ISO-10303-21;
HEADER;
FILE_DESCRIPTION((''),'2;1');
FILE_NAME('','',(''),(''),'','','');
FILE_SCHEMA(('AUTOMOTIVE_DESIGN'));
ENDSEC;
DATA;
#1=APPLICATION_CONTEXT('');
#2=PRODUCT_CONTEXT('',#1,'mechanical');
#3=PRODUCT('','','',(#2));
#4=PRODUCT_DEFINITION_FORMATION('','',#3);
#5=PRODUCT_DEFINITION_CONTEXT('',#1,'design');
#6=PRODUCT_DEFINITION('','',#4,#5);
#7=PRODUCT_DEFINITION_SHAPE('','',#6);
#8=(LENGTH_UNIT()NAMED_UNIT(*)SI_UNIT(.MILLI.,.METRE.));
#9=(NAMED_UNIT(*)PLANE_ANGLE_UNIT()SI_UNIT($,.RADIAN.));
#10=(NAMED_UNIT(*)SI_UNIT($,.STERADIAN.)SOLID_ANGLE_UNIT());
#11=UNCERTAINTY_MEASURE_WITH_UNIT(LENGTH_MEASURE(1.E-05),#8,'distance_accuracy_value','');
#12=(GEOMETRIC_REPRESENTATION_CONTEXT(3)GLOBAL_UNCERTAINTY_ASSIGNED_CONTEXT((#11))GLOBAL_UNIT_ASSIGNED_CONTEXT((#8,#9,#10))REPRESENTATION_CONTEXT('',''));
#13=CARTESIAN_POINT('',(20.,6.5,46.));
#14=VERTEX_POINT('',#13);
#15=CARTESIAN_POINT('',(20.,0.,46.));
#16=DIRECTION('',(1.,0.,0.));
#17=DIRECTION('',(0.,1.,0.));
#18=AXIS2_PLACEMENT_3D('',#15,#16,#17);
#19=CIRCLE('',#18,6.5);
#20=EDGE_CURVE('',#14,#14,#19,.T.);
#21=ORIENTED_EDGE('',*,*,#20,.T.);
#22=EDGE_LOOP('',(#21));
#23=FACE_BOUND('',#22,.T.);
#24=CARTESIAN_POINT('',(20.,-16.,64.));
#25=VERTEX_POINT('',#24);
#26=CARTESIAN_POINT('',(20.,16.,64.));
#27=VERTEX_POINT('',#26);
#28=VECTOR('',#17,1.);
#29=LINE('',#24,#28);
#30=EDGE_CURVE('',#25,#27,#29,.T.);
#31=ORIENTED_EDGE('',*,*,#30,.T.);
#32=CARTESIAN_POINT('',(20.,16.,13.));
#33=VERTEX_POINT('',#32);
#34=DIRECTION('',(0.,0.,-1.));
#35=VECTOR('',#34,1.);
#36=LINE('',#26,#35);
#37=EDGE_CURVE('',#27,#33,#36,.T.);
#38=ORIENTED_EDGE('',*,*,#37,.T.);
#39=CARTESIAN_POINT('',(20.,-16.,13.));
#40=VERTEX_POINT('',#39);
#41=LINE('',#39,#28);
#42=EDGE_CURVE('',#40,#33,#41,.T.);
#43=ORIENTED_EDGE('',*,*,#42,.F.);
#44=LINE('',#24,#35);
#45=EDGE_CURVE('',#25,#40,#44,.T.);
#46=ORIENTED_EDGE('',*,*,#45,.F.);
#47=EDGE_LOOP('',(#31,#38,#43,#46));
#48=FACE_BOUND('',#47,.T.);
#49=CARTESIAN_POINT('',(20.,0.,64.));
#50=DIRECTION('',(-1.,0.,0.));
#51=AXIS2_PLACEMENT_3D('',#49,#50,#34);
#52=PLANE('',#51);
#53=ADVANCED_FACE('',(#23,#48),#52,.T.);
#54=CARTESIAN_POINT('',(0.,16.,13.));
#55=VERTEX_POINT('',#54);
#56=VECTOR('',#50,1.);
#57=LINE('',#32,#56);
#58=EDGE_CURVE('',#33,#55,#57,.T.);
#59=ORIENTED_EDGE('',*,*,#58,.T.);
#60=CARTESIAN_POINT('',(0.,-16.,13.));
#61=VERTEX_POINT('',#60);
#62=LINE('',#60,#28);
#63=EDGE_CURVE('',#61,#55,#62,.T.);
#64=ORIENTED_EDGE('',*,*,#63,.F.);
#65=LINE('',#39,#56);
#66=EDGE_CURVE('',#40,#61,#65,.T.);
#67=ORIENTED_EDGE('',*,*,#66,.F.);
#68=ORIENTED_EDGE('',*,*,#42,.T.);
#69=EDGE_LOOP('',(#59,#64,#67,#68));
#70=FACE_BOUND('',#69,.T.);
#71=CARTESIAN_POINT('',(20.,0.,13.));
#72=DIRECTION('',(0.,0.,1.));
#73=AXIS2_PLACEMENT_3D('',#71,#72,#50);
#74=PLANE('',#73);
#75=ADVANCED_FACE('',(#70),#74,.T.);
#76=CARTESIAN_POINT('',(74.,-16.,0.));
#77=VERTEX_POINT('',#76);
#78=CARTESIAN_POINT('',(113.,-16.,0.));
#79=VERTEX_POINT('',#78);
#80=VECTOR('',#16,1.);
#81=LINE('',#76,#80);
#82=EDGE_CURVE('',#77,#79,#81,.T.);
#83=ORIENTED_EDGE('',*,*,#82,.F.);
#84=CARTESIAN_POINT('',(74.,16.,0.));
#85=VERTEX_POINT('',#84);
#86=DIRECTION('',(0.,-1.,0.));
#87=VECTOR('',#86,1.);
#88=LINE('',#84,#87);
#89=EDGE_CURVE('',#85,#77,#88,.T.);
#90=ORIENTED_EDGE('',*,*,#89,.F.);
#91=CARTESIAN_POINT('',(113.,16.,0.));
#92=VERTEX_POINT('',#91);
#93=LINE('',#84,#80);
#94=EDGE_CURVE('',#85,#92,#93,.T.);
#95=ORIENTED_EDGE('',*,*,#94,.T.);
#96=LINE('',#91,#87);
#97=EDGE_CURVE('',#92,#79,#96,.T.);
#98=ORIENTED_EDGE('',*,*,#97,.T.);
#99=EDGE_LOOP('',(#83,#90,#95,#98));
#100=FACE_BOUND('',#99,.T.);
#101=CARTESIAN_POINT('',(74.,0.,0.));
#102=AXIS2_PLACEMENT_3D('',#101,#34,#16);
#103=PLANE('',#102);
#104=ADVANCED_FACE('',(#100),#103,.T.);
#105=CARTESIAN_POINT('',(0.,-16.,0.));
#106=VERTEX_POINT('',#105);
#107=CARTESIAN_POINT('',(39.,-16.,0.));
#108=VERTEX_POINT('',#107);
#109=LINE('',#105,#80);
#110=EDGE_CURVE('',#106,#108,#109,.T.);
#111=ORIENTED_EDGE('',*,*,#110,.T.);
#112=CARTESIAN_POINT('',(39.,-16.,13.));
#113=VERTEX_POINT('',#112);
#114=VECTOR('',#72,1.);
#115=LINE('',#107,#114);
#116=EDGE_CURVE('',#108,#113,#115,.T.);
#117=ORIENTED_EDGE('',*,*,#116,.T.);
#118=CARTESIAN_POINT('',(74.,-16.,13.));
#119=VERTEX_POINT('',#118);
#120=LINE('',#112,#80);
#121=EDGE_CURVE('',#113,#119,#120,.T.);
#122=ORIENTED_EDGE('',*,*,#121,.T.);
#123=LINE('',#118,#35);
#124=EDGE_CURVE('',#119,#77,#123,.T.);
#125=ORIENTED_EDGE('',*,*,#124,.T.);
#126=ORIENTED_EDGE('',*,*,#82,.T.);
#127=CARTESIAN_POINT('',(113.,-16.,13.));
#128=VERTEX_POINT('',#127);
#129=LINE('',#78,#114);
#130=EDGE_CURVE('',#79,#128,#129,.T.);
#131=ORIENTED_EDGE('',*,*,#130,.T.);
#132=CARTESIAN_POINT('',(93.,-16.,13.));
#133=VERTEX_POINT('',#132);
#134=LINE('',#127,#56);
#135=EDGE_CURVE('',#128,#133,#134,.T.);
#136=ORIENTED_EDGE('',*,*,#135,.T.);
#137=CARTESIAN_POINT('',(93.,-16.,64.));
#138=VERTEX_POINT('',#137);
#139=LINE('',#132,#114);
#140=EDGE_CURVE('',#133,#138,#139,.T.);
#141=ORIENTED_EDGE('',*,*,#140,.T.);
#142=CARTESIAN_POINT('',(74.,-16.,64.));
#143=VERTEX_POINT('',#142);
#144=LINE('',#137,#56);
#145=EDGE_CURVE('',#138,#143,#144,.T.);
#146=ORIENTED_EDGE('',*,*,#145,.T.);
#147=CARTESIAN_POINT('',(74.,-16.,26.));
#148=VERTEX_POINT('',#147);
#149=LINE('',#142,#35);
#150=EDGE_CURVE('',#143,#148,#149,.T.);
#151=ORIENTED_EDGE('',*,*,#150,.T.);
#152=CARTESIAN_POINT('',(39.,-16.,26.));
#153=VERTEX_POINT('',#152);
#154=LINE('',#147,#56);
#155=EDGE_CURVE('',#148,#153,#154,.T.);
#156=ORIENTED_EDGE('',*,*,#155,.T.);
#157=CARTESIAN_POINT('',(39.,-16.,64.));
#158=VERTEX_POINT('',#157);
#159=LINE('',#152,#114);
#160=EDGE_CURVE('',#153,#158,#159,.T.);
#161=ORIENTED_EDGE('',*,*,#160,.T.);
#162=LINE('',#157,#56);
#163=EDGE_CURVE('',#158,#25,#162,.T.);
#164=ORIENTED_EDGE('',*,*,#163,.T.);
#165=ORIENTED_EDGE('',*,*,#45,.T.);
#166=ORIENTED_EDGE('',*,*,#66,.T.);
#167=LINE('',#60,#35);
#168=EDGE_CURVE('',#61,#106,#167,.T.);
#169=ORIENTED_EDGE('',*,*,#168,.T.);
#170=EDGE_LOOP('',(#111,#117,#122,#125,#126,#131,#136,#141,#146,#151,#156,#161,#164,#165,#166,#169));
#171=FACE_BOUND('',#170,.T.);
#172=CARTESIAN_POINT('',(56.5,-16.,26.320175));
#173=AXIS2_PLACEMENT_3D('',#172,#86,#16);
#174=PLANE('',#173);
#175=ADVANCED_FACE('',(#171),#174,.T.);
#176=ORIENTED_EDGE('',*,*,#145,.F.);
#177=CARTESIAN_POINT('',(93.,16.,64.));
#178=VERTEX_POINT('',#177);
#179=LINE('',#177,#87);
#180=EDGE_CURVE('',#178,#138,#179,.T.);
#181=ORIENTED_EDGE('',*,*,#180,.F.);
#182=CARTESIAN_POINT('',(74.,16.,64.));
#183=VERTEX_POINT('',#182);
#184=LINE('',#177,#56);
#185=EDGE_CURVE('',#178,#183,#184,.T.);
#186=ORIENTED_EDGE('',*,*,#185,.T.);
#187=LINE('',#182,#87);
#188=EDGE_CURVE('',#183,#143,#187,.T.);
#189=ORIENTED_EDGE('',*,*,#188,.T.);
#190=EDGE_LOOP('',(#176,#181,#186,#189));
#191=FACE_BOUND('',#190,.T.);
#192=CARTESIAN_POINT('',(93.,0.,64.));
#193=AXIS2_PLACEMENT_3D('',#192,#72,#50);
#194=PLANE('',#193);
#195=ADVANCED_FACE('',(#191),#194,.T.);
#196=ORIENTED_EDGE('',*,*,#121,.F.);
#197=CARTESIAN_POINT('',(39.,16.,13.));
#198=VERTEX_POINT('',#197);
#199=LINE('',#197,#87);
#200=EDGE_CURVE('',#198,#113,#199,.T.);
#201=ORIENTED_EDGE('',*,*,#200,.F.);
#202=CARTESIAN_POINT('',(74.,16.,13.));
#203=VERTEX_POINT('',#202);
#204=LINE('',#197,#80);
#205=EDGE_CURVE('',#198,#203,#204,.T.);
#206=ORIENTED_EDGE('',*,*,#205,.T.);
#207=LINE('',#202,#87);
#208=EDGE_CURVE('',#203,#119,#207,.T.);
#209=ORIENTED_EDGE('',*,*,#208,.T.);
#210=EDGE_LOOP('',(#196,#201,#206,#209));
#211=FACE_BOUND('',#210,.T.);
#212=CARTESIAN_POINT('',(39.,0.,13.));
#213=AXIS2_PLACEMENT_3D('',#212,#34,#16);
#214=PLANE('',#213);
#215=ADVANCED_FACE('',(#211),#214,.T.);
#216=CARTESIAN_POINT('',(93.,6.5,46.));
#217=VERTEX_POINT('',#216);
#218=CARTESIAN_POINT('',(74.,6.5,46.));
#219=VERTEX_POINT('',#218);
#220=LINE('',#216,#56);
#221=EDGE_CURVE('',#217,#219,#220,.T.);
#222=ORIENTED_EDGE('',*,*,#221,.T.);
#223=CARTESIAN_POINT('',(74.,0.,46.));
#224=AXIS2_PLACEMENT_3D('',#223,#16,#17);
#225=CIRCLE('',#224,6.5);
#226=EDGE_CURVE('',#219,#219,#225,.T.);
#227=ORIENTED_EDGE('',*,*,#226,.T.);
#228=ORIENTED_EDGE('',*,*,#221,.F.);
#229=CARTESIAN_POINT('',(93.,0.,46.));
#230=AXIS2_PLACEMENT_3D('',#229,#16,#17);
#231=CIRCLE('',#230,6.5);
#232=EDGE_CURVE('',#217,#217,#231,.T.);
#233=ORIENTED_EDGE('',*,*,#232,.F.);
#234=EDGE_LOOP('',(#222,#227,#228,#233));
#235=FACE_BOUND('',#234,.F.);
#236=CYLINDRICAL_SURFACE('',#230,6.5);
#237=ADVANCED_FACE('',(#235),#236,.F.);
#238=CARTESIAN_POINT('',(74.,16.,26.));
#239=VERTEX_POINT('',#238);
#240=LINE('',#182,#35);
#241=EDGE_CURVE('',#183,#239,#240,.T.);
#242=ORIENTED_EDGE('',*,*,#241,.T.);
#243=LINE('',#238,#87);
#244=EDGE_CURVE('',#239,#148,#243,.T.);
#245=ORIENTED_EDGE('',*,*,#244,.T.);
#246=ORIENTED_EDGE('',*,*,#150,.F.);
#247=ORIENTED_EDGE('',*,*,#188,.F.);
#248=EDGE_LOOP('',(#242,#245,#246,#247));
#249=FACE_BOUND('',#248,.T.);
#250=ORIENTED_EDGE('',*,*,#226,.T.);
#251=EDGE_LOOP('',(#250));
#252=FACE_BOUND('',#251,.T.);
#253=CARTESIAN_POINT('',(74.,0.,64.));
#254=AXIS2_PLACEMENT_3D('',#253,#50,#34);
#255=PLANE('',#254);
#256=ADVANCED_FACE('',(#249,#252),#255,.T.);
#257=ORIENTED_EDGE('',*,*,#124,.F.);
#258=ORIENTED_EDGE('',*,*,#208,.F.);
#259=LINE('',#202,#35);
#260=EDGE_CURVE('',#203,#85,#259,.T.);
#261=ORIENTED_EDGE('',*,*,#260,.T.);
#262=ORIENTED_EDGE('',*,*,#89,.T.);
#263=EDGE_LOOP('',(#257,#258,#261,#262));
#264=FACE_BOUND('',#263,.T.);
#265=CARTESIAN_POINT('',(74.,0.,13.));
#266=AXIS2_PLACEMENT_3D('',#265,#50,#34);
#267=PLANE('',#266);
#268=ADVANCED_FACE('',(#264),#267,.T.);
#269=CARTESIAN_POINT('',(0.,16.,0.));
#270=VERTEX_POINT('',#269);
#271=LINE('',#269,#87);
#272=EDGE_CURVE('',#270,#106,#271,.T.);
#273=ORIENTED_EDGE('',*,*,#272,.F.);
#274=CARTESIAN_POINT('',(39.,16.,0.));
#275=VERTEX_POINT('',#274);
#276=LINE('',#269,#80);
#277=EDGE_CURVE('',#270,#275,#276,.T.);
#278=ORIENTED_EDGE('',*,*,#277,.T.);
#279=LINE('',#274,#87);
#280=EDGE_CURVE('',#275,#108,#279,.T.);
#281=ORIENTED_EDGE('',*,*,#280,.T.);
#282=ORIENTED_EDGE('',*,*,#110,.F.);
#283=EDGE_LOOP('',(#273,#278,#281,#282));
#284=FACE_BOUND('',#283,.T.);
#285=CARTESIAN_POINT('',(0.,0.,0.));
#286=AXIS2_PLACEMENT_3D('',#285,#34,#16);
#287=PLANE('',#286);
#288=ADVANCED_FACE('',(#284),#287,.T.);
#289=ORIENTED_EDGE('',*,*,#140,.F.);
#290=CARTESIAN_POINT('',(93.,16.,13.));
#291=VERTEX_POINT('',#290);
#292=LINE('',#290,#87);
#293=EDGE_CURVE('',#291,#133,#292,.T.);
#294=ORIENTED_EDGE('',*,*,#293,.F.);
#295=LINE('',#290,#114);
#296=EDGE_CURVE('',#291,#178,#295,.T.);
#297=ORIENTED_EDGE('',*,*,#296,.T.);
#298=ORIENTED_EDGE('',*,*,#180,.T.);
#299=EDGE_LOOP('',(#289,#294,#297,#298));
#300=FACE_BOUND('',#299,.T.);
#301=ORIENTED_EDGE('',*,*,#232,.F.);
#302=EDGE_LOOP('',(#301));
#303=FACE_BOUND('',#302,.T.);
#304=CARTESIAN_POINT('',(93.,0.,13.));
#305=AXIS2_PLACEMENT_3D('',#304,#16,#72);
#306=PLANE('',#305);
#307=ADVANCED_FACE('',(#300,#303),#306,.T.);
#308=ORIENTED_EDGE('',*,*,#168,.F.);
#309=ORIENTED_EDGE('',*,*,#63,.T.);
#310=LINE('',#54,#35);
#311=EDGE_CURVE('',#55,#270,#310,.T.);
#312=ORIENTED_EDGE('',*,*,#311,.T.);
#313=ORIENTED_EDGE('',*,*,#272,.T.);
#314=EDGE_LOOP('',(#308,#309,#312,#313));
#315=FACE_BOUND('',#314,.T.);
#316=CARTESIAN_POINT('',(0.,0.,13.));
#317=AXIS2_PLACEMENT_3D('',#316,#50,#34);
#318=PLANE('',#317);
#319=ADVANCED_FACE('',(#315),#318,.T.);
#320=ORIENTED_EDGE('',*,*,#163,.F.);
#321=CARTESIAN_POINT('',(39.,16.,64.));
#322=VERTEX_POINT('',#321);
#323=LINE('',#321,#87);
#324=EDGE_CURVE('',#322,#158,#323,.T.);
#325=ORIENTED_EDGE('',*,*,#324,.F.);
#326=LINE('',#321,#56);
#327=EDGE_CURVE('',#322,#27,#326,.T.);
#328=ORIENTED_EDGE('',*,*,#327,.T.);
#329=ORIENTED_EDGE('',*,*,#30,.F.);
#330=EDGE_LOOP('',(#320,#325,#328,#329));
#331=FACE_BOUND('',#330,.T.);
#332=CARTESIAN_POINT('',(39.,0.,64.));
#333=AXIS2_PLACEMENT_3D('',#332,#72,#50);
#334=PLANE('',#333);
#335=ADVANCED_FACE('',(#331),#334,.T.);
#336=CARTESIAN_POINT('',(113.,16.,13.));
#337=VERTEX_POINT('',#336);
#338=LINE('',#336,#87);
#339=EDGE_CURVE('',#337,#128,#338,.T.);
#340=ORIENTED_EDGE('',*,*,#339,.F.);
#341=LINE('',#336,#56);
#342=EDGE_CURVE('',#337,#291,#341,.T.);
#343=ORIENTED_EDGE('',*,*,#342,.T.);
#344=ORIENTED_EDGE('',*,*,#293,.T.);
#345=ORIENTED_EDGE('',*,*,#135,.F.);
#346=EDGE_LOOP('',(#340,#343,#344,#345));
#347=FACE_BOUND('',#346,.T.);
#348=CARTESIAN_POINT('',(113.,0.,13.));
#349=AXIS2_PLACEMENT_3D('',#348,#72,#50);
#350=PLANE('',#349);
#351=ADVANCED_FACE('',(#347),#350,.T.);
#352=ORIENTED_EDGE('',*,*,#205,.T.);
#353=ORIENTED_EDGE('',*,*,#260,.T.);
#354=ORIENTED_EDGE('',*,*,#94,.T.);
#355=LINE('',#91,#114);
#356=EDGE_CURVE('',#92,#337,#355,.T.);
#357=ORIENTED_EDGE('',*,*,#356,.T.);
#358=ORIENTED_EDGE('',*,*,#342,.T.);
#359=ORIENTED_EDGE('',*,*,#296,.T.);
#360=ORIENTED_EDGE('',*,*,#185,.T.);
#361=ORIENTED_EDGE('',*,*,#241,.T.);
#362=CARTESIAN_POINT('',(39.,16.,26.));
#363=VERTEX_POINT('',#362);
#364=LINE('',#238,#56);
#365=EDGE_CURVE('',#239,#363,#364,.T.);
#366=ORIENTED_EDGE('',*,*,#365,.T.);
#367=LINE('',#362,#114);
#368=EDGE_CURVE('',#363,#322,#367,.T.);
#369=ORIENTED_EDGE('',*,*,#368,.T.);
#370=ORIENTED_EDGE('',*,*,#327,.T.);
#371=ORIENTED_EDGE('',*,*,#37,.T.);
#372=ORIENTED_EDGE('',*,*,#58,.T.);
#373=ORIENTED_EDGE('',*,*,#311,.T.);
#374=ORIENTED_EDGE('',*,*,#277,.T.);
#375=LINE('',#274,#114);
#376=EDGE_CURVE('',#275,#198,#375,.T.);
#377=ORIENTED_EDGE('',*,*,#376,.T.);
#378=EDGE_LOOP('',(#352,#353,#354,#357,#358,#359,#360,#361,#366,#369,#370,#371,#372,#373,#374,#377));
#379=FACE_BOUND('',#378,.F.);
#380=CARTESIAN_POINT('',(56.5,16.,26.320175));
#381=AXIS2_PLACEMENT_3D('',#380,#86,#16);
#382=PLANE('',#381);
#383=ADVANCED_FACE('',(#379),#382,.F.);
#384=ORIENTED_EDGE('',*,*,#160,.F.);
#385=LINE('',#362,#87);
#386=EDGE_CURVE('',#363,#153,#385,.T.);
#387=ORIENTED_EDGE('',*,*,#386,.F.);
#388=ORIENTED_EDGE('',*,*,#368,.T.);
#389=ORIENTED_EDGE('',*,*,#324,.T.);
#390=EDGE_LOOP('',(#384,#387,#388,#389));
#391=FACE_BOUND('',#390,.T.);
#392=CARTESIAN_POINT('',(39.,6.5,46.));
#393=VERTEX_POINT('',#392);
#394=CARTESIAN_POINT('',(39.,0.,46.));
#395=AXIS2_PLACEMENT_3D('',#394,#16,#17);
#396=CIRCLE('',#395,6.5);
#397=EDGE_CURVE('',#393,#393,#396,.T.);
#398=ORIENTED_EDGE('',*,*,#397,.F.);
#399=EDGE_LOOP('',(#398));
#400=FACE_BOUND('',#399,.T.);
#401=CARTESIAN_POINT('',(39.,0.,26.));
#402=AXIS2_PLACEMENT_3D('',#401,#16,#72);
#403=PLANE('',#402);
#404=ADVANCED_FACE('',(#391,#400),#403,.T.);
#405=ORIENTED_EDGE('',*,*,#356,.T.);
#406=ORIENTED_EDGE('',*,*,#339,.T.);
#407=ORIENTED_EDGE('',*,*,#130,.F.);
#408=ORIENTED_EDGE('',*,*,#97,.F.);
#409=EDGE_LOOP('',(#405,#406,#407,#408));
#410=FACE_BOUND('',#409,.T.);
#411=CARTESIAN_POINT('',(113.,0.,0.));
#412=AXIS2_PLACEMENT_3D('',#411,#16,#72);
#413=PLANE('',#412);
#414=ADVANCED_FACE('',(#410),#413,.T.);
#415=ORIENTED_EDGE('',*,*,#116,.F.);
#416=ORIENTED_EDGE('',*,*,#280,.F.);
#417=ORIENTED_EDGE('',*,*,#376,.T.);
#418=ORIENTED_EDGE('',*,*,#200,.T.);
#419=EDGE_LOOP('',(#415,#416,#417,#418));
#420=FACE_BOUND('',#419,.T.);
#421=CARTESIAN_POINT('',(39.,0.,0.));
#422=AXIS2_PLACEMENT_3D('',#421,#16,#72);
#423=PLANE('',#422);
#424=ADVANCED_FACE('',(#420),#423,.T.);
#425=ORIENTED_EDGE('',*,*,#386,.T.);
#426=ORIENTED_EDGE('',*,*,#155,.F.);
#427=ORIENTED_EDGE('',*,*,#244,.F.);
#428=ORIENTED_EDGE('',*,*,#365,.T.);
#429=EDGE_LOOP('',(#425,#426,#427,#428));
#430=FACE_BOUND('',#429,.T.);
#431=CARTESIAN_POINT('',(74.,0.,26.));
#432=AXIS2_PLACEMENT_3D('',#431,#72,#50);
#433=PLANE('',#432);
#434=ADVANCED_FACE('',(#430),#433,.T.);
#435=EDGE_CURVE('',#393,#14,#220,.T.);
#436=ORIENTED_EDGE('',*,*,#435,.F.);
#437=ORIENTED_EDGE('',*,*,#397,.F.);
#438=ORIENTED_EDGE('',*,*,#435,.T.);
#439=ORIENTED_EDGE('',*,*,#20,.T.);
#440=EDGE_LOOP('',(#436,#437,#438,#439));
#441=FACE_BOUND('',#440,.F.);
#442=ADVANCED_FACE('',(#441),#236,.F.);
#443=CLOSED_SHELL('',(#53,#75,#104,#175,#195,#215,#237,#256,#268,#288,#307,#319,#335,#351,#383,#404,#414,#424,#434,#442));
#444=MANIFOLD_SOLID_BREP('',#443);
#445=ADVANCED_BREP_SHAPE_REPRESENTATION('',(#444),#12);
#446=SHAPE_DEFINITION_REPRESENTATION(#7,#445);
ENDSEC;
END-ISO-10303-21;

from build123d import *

# Parameters (mm, degrees)
F1_DEPTH = 16
F2_R     = 6.5
F3_DEPTH = 93.001
F4_DEPTH = 93.001


with BuildPart() as f1:
    # F0 (on Front) → F1 (new body, symmetric)
    with BuildSketch(Plane.XZ):
        Polygon((0, 13), (0, 0), (39, 0), (39, 13), (74, 13), (74, 0), (113, 0), (113, 13), (93, 13), (93, 64), (74, 64), (74, 26), (39, 26), (39, 64), (20, 64), (20, 13), align=None)
    extrude(amount=F1_DEPTH, both=True)

    # F2 (on face) → F3 (cut, through all)
    with BuildSketch(Plane.YZ.offset(93)):
        with Locations((0, 46)):
            Circle(F2_R)
    extrude(amount=-F3_DEPTH, mode=Mode.SUBTRACT)

    # F2 (on face) → F4 (cut, through all)
    with BuildSketch(Plane.YZ.offset(93)):
        with Locations((0, 46)):
            Circle(F2_R)
    extrude(amount=-F4_DEPTH, mode=Mode.SUBTRACT)


solid = f1.part
